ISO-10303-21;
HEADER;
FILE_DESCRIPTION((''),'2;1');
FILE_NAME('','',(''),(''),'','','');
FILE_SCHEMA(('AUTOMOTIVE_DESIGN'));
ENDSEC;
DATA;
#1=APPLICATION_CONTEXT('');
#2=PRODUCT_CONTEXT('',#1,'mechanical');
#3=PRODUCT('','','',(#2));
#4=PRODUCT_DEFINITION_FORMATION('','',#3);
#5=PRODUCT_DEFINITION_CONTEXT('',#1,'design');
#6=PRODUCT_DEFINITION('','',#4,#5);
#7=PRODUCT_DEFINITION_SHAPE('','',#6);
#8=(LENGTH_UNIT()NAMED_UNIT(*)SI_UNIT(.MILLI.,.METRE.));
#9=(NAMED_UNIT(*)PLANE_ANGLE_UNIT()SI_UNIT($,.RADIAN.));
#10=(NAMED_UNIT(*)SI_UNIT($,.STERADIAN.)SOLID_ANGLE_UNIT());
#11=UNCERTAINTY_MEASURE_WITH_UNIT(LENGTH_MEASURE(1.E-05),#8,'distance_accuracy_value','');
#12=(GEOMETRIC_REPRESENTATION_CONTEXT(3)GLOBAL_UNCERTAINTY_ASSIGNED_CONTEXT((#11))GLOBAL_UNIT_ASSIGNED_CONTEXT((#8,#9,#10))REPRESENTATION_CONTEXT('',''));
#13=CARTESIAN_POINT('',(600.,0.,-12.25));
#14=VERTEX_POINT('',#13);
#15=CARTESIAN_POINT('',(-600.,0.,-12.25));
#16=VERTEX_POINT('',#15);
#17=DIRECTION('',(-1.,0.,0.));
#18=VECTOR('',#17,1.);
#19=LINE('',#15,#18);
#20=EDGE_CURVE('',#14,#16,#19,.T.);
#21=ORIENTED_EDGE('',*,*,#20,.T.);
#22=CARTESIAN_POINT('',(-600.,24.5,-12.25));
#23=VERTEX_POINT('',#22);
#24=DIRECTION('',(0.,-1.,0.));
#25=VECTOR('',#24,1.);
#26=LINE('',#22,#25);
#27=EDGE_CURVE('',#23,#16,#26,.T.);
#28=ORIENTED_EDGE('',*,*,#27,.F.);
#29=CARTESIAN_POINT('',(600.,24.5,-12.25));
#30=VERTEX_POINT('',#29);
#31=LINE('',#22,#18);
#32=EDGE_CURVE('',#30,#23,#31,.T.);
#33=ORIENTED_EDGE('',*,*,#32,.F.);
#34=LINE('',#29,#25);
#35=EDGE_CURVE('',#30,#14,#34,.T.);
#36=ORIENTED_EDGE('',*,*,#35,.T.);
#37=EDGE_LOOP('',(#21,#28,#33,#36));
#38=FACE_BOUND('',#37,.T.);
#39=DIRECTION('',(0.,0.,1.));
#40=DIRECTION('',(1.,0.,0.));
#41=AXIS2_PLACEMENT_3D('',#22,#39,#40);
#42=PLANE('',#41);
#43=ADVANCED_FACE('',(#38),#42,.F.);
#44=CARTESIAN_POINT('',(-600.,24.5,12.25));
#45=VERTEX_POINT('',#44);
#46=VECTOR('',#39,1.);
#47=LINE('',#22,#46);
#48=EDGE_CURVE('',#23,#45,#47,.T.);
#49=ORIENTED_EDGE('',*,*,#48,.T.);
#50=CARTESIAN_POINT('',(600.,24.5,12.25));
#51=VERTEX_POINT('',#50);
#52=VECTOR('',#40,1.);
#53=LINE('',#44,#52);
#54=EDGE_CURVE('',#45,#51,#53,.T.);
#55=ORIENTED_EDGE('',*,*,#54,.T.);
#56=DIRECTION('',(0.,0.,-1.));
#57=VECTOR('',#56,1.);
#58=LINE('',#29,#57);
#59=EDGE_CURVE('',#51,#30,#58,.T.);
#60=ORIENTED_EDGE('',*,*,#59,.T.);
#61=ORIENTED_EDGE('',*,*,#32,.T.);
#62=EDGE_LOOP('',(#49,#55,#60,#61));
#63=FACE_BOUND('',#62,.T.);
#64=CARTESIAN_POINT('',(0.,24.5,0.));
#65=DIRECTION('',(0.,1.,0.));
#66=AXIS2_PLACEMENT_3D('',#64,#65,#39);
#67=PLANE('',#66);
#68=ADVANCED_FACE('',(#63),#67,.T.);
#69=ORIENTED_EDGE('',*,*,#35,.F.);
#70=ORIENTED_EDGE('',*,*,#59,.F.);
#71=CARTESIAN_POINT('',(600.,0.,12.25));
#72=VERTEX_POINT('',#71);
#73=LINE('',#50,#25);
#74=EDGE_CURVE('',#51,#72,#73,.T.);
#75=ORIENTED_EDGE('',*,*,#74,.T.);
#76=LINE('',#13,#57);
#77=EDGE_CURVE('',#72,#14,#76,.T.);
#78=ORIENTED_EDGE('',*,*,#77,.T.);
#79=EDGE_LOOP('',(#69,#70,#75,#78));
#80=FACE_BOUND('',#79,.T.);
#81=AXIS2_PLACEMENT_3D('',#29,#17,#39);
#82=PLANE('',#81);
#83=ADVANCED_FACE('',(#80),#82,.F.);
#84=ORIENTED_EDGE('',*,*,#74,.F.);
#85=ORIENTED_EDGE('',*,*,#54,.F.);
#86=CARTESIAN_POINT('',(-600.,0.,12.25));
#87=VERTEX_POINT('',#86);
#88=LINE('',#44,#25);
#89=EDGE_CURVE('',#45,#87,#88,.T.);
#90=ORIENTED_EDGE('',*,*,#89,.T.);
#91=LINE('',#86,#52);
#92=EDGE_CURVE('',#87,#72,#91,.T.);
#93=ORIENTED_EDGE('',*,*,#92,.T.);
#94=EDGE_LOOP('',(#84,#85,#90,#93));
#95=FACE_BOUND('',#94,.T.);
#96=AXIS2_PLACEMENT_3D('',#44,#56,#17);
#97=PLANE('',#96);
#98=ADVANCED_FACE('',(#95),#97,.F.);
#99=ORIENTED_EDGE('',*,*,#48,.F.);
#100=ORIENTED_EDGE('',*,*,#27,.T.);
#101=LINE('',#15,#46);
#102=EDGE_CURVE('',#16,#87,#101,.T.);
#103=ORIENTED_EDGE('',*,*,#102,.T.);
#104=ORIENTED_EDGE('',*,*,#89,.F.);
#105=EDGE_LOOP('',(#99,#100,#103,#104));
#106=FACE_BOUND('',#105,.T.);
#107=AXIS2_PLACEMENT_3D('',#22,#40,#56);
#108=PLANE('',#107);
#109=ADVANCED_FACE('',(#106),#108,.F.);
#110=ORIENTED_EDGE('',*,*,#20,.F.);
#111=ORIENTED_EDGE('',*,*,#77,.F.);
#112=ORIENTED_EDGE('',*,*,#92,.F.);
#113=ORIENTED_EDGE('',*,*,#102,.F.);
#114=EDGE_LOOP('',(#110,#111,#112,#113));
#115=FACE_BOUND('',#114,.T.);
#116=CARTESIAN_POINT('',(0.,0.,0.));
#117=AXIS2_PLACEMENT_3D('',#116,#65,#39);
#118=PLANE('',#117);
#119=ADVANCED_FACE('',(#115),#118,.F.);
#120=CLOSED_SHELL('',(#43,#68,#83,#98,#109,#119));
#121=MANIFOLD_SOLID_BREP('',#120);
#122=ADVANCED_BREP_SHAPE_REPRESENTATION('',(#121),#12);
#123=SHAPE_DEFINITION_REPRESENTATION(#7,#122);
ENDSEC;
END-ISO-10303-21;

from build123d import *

# Parameters (mm, degrees)
SKETCH_1_W      = 1200
SKETCH_1_H      = 24.5
EXTRUDE_1_DEPTH = 24.5


with BuildPart() as part:
    # 草图1 → 凸台-拉伸1 (new body)
    with BuildSketch(Plane(origin=(0, 0, 0), x_dir=(1, 0, 0), z_dir=(0, 1, 0))):
        Rectangle(SKETCH_1_W, SKETCH_1_H)
    extrude(amount=EXTRUDE_1_DEPTH)


solid = part.part
